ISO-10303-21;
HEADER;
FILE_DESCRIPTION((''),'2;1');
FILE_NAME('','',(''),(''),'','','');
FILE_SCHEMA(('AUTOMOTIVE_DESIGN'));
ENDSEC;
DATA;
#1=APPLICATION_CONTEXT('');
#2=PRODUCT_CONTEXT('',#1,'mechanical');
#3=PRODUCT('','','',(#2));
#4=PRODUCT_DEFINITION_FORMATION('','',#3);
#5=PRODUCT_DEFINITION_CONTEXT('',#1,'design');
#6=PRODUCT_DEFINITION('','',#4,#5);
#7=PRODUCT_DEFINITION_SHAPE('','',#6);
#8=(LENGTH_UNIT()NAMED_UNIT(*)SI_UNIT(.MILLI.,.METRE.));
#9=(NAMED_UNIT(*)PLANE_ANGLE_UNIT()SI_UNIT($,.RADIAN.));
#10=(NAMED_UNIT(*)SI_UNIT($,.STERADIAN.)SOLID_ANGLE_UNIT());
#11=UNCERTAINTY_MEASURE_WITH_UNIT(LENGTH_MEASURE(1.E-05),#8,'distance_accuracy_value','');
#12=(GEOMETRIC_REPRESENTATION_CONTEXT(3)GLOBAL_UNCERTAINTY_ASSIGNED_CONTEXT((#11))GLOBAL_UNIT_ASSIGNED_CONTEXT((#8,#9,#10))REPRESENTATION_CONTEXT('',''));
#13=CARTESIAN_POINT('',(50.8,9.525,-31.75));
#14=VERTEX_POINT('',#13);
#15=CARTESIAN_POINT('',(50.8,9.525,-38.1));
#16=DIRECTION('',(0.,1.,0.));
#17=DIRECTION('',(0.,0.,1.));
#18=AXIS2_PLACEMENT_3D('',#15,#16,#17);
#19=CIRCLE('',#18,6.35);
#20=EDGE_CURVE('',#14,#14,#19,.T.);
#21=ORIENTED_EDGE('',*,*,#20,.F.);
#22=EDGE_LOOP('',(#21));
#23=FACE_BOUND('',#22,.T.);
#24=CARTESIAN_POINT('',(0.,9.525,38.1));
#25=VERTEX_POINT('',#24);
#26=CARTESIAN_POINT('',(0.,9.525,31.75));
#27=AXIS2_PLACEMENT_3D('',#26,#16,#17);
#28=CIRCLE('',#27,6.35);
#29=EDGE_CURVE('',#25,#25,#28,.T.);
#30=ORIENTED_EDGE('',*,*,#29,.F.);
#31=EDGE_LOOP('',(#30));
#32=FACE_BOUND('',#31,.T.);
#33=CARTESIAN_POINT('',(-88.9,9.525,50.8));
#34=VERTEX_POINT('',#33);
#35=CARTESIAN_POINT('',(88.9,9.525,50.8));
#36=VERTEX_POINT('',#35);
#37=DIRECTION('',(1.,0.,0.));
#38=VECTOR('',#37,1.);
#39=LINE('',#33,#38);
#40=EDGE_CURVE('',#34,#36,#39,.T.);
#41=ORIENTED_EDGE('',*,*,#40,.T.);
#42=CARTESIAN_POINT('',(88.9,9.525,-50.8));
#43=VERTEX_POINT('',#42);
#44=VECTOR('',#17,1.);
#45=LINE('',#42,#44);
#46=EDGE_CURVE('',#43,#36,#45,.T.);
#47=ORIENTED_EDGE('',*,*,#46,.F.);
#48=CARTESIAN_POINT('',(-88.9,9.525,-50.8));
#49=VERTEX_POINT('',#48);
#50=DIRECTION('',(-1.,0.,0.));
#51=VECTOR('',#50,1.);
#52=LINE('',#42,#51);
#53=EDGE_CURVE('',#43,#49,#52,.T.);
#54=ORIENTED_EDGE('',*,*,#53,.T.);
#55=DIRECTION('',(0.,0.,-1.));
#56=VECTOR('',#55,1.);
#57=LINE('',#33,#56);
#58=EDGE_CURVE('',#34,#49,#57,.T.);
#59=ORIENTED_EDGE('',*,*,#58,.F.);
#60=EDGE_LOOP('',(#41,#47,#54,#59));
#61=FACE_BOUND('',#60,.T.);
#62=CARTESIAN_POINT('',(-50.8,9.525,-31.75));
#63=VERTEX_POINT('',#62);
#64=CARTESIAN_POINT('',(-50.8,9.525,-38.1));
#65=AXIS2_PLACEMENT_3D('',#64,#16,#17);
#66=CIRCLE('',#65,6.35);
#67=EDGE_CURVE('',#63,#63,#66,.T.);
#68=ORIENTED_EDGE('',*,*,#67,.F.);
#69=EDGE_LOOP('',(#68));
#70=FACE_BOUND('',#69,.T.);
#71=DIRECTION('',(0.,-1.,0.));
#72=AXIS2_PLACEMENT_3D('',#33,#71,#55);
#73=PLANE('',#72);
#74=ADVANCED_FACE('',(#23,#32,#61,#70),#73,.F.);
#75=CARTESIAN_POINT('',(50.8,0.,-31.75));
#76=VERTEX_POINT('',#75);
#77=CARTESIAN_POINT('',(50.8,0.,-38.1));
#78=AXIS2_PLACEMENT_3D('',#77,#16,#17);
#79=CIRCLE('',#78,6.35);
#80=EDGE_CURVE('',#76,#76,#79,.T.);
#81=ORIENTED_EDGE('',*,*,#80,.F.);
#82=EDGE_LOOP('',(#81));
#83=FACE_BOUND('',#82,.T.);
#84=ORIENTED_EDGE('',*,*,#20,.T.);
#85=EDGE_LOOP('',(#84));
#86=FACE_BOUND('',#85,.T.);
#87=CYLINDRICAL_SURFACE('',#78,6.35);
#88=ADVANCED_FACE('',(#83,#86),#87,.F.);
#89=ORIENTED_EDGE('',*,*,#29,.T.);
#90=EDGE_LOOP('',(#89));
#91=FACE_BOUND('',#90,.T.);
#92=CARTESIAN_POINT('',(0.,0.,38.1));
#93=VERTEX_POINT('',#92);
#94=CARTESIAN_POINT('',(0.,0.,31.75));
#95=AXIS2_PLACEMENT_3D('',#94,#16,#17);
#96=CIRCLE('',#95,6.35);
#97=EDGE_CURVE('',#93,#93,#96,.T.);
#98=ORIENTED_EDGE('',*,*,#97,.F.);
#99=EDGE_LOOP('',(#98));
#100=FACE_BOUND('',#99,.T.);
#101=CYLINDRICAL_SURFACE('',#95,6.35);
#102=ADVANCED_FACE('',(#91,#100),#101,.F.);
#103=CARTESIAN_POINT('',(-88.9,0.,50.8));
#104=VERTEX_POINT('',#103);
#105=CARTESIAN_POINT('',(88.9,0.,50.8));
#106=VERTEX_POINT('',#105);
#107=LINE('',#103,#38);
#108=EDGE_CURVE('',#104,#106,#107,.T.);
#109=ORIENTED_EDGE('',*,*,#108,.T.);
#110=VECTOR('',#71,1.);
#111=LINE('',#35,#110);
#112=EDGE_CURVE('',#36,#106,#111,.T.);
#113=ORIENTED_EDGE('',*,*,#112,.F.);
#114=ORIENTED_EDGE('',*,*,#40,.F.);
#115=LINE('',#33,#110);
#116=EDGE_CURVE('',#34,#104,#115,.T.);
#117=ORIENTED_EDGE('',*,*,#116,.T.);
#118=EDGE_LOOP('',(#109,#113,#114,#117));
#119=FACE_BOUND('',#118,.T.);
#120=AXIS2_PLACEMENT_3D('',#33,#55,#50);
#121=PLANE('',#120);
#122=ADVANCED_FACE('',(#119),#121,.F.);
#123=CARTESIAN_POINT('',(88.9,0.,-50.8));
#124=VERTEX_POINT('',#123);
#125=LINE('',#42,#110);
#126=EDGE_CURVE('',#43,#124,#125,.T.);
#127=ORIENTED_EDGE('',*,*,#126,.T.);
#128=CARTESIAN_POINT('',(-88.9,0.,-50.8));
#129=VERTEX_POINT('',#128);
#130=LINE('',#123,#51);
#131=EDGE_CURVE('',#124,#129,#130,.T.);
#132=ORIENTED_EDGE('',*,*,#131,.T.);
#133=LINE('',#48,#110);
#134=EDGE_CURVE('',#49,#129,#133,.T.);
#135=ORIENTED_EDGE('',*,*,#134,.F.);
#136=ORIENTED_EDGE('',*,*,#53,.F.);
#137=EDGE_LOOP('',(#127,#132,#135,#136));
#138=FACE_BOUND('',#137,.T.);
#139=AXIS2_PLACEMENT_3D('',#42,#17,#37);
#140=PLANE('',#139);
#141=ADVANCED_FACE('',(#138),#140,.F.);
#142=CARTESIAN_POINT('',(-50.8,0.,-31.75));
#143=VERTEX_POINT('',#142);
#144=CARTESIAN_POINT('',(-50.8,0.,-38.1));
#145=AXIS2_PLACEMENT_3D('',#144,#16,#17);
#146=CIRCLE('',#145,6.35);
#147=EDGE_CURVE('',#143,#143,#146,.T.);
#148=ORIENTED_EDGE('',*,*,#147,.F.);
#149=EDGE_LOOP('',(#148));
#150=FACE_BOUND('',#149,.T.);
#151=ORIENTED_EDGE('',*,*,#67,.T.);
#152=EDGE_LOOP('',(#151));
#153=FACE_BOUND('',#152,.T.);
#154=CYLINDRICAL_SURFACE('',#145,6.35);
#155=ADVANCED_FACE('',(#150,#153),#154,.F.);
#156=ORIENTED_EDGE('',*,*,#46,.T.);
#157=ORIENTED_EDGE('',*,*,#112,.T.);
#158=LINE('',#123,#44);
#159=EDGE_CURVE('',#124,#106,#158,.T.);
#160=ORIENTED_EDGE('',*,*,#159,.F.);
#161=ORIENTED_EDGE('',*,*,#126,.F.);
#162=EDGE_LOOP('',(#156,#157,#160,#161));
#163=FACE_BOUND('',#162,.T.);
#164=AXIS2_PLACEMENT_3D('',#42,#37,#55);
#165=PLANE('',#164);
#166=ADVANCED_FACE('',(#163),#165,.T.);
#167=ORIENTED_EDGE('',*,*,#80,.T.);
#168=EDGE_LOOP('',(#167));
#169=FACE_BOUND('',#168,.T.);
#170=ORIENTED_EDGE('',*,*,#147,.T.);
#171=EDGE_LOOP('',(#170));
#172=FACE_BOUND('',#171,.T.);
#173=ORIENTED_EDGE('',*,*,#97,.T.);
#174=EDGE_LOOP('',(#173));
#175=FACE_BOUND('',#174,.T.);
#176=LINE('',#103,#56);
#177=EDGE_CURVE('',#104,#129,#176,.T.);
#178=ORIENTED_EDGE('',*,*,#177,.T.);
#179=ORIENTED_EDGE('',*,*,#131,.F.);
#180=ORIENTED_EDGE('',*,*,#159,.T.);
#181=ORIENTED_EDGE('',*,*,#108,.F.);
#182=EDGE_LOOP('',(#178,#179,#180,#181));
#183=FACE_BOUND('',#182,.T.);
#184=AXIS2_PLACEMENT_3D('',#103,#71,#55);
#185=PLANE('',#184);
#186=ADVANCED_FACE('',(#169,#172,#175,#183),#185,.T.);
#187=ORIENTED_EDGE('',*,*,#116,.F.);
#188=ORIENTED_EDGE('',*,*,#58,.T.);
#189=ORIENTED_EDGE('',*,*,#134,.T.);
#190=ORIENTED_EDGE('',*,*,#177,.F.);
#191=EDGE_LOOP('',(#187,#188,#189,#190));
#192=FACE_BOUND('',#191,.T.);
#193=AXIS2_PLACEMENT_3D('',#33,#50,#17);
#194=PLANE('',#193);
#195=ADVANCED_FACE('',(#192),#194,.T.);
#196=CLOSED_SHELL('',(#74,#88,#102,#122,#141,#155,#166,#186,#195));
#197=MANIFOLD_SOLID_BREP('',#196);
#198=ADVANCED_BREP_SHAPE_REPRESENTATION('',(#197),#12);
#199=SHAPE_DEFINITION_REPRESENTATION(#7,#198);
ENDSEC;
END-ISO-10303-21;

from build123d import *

# Parameters (mm, degrees)
SKETCH1_W   = 177.8
SKETCH1_H   = 101.6
PLATE_DEPTH = 9.525
SKETCH2_R   = 6.35
HOLES_DEPTH = 10.525


with BuildPart() as part:
    # Sketch1 → Plate (new body)
    with BuildSketch(Plane(origin=(0, 0, 0), x_dir=(1, 0, 0), z_dir=(0, 1, 0))):
        Rectangle(SKETCH1_W, SKETCH1_H)
    extrude(amount=PLATE_DEPTH)

    # Sketch2 → Holes (cut, through all)
    with BuildSketch(Plane(origin=(0, 9.525, 0), x_dir=(-1, 0, 0), z_dir=(0, 1, 0))):
        with Locations((50.8, -38.1)):
            Circle(SKETCH2_R)
        with Locations((-50.8, -38.1)):
            Circle(SKETCH2_R)
        with Locations((0, 31.75)):
            Circle(SKETCH2_R)
    extrude(amount=-HOLES_DEPTH, mode=Mode.SUBTRACT)


solid = part.part
